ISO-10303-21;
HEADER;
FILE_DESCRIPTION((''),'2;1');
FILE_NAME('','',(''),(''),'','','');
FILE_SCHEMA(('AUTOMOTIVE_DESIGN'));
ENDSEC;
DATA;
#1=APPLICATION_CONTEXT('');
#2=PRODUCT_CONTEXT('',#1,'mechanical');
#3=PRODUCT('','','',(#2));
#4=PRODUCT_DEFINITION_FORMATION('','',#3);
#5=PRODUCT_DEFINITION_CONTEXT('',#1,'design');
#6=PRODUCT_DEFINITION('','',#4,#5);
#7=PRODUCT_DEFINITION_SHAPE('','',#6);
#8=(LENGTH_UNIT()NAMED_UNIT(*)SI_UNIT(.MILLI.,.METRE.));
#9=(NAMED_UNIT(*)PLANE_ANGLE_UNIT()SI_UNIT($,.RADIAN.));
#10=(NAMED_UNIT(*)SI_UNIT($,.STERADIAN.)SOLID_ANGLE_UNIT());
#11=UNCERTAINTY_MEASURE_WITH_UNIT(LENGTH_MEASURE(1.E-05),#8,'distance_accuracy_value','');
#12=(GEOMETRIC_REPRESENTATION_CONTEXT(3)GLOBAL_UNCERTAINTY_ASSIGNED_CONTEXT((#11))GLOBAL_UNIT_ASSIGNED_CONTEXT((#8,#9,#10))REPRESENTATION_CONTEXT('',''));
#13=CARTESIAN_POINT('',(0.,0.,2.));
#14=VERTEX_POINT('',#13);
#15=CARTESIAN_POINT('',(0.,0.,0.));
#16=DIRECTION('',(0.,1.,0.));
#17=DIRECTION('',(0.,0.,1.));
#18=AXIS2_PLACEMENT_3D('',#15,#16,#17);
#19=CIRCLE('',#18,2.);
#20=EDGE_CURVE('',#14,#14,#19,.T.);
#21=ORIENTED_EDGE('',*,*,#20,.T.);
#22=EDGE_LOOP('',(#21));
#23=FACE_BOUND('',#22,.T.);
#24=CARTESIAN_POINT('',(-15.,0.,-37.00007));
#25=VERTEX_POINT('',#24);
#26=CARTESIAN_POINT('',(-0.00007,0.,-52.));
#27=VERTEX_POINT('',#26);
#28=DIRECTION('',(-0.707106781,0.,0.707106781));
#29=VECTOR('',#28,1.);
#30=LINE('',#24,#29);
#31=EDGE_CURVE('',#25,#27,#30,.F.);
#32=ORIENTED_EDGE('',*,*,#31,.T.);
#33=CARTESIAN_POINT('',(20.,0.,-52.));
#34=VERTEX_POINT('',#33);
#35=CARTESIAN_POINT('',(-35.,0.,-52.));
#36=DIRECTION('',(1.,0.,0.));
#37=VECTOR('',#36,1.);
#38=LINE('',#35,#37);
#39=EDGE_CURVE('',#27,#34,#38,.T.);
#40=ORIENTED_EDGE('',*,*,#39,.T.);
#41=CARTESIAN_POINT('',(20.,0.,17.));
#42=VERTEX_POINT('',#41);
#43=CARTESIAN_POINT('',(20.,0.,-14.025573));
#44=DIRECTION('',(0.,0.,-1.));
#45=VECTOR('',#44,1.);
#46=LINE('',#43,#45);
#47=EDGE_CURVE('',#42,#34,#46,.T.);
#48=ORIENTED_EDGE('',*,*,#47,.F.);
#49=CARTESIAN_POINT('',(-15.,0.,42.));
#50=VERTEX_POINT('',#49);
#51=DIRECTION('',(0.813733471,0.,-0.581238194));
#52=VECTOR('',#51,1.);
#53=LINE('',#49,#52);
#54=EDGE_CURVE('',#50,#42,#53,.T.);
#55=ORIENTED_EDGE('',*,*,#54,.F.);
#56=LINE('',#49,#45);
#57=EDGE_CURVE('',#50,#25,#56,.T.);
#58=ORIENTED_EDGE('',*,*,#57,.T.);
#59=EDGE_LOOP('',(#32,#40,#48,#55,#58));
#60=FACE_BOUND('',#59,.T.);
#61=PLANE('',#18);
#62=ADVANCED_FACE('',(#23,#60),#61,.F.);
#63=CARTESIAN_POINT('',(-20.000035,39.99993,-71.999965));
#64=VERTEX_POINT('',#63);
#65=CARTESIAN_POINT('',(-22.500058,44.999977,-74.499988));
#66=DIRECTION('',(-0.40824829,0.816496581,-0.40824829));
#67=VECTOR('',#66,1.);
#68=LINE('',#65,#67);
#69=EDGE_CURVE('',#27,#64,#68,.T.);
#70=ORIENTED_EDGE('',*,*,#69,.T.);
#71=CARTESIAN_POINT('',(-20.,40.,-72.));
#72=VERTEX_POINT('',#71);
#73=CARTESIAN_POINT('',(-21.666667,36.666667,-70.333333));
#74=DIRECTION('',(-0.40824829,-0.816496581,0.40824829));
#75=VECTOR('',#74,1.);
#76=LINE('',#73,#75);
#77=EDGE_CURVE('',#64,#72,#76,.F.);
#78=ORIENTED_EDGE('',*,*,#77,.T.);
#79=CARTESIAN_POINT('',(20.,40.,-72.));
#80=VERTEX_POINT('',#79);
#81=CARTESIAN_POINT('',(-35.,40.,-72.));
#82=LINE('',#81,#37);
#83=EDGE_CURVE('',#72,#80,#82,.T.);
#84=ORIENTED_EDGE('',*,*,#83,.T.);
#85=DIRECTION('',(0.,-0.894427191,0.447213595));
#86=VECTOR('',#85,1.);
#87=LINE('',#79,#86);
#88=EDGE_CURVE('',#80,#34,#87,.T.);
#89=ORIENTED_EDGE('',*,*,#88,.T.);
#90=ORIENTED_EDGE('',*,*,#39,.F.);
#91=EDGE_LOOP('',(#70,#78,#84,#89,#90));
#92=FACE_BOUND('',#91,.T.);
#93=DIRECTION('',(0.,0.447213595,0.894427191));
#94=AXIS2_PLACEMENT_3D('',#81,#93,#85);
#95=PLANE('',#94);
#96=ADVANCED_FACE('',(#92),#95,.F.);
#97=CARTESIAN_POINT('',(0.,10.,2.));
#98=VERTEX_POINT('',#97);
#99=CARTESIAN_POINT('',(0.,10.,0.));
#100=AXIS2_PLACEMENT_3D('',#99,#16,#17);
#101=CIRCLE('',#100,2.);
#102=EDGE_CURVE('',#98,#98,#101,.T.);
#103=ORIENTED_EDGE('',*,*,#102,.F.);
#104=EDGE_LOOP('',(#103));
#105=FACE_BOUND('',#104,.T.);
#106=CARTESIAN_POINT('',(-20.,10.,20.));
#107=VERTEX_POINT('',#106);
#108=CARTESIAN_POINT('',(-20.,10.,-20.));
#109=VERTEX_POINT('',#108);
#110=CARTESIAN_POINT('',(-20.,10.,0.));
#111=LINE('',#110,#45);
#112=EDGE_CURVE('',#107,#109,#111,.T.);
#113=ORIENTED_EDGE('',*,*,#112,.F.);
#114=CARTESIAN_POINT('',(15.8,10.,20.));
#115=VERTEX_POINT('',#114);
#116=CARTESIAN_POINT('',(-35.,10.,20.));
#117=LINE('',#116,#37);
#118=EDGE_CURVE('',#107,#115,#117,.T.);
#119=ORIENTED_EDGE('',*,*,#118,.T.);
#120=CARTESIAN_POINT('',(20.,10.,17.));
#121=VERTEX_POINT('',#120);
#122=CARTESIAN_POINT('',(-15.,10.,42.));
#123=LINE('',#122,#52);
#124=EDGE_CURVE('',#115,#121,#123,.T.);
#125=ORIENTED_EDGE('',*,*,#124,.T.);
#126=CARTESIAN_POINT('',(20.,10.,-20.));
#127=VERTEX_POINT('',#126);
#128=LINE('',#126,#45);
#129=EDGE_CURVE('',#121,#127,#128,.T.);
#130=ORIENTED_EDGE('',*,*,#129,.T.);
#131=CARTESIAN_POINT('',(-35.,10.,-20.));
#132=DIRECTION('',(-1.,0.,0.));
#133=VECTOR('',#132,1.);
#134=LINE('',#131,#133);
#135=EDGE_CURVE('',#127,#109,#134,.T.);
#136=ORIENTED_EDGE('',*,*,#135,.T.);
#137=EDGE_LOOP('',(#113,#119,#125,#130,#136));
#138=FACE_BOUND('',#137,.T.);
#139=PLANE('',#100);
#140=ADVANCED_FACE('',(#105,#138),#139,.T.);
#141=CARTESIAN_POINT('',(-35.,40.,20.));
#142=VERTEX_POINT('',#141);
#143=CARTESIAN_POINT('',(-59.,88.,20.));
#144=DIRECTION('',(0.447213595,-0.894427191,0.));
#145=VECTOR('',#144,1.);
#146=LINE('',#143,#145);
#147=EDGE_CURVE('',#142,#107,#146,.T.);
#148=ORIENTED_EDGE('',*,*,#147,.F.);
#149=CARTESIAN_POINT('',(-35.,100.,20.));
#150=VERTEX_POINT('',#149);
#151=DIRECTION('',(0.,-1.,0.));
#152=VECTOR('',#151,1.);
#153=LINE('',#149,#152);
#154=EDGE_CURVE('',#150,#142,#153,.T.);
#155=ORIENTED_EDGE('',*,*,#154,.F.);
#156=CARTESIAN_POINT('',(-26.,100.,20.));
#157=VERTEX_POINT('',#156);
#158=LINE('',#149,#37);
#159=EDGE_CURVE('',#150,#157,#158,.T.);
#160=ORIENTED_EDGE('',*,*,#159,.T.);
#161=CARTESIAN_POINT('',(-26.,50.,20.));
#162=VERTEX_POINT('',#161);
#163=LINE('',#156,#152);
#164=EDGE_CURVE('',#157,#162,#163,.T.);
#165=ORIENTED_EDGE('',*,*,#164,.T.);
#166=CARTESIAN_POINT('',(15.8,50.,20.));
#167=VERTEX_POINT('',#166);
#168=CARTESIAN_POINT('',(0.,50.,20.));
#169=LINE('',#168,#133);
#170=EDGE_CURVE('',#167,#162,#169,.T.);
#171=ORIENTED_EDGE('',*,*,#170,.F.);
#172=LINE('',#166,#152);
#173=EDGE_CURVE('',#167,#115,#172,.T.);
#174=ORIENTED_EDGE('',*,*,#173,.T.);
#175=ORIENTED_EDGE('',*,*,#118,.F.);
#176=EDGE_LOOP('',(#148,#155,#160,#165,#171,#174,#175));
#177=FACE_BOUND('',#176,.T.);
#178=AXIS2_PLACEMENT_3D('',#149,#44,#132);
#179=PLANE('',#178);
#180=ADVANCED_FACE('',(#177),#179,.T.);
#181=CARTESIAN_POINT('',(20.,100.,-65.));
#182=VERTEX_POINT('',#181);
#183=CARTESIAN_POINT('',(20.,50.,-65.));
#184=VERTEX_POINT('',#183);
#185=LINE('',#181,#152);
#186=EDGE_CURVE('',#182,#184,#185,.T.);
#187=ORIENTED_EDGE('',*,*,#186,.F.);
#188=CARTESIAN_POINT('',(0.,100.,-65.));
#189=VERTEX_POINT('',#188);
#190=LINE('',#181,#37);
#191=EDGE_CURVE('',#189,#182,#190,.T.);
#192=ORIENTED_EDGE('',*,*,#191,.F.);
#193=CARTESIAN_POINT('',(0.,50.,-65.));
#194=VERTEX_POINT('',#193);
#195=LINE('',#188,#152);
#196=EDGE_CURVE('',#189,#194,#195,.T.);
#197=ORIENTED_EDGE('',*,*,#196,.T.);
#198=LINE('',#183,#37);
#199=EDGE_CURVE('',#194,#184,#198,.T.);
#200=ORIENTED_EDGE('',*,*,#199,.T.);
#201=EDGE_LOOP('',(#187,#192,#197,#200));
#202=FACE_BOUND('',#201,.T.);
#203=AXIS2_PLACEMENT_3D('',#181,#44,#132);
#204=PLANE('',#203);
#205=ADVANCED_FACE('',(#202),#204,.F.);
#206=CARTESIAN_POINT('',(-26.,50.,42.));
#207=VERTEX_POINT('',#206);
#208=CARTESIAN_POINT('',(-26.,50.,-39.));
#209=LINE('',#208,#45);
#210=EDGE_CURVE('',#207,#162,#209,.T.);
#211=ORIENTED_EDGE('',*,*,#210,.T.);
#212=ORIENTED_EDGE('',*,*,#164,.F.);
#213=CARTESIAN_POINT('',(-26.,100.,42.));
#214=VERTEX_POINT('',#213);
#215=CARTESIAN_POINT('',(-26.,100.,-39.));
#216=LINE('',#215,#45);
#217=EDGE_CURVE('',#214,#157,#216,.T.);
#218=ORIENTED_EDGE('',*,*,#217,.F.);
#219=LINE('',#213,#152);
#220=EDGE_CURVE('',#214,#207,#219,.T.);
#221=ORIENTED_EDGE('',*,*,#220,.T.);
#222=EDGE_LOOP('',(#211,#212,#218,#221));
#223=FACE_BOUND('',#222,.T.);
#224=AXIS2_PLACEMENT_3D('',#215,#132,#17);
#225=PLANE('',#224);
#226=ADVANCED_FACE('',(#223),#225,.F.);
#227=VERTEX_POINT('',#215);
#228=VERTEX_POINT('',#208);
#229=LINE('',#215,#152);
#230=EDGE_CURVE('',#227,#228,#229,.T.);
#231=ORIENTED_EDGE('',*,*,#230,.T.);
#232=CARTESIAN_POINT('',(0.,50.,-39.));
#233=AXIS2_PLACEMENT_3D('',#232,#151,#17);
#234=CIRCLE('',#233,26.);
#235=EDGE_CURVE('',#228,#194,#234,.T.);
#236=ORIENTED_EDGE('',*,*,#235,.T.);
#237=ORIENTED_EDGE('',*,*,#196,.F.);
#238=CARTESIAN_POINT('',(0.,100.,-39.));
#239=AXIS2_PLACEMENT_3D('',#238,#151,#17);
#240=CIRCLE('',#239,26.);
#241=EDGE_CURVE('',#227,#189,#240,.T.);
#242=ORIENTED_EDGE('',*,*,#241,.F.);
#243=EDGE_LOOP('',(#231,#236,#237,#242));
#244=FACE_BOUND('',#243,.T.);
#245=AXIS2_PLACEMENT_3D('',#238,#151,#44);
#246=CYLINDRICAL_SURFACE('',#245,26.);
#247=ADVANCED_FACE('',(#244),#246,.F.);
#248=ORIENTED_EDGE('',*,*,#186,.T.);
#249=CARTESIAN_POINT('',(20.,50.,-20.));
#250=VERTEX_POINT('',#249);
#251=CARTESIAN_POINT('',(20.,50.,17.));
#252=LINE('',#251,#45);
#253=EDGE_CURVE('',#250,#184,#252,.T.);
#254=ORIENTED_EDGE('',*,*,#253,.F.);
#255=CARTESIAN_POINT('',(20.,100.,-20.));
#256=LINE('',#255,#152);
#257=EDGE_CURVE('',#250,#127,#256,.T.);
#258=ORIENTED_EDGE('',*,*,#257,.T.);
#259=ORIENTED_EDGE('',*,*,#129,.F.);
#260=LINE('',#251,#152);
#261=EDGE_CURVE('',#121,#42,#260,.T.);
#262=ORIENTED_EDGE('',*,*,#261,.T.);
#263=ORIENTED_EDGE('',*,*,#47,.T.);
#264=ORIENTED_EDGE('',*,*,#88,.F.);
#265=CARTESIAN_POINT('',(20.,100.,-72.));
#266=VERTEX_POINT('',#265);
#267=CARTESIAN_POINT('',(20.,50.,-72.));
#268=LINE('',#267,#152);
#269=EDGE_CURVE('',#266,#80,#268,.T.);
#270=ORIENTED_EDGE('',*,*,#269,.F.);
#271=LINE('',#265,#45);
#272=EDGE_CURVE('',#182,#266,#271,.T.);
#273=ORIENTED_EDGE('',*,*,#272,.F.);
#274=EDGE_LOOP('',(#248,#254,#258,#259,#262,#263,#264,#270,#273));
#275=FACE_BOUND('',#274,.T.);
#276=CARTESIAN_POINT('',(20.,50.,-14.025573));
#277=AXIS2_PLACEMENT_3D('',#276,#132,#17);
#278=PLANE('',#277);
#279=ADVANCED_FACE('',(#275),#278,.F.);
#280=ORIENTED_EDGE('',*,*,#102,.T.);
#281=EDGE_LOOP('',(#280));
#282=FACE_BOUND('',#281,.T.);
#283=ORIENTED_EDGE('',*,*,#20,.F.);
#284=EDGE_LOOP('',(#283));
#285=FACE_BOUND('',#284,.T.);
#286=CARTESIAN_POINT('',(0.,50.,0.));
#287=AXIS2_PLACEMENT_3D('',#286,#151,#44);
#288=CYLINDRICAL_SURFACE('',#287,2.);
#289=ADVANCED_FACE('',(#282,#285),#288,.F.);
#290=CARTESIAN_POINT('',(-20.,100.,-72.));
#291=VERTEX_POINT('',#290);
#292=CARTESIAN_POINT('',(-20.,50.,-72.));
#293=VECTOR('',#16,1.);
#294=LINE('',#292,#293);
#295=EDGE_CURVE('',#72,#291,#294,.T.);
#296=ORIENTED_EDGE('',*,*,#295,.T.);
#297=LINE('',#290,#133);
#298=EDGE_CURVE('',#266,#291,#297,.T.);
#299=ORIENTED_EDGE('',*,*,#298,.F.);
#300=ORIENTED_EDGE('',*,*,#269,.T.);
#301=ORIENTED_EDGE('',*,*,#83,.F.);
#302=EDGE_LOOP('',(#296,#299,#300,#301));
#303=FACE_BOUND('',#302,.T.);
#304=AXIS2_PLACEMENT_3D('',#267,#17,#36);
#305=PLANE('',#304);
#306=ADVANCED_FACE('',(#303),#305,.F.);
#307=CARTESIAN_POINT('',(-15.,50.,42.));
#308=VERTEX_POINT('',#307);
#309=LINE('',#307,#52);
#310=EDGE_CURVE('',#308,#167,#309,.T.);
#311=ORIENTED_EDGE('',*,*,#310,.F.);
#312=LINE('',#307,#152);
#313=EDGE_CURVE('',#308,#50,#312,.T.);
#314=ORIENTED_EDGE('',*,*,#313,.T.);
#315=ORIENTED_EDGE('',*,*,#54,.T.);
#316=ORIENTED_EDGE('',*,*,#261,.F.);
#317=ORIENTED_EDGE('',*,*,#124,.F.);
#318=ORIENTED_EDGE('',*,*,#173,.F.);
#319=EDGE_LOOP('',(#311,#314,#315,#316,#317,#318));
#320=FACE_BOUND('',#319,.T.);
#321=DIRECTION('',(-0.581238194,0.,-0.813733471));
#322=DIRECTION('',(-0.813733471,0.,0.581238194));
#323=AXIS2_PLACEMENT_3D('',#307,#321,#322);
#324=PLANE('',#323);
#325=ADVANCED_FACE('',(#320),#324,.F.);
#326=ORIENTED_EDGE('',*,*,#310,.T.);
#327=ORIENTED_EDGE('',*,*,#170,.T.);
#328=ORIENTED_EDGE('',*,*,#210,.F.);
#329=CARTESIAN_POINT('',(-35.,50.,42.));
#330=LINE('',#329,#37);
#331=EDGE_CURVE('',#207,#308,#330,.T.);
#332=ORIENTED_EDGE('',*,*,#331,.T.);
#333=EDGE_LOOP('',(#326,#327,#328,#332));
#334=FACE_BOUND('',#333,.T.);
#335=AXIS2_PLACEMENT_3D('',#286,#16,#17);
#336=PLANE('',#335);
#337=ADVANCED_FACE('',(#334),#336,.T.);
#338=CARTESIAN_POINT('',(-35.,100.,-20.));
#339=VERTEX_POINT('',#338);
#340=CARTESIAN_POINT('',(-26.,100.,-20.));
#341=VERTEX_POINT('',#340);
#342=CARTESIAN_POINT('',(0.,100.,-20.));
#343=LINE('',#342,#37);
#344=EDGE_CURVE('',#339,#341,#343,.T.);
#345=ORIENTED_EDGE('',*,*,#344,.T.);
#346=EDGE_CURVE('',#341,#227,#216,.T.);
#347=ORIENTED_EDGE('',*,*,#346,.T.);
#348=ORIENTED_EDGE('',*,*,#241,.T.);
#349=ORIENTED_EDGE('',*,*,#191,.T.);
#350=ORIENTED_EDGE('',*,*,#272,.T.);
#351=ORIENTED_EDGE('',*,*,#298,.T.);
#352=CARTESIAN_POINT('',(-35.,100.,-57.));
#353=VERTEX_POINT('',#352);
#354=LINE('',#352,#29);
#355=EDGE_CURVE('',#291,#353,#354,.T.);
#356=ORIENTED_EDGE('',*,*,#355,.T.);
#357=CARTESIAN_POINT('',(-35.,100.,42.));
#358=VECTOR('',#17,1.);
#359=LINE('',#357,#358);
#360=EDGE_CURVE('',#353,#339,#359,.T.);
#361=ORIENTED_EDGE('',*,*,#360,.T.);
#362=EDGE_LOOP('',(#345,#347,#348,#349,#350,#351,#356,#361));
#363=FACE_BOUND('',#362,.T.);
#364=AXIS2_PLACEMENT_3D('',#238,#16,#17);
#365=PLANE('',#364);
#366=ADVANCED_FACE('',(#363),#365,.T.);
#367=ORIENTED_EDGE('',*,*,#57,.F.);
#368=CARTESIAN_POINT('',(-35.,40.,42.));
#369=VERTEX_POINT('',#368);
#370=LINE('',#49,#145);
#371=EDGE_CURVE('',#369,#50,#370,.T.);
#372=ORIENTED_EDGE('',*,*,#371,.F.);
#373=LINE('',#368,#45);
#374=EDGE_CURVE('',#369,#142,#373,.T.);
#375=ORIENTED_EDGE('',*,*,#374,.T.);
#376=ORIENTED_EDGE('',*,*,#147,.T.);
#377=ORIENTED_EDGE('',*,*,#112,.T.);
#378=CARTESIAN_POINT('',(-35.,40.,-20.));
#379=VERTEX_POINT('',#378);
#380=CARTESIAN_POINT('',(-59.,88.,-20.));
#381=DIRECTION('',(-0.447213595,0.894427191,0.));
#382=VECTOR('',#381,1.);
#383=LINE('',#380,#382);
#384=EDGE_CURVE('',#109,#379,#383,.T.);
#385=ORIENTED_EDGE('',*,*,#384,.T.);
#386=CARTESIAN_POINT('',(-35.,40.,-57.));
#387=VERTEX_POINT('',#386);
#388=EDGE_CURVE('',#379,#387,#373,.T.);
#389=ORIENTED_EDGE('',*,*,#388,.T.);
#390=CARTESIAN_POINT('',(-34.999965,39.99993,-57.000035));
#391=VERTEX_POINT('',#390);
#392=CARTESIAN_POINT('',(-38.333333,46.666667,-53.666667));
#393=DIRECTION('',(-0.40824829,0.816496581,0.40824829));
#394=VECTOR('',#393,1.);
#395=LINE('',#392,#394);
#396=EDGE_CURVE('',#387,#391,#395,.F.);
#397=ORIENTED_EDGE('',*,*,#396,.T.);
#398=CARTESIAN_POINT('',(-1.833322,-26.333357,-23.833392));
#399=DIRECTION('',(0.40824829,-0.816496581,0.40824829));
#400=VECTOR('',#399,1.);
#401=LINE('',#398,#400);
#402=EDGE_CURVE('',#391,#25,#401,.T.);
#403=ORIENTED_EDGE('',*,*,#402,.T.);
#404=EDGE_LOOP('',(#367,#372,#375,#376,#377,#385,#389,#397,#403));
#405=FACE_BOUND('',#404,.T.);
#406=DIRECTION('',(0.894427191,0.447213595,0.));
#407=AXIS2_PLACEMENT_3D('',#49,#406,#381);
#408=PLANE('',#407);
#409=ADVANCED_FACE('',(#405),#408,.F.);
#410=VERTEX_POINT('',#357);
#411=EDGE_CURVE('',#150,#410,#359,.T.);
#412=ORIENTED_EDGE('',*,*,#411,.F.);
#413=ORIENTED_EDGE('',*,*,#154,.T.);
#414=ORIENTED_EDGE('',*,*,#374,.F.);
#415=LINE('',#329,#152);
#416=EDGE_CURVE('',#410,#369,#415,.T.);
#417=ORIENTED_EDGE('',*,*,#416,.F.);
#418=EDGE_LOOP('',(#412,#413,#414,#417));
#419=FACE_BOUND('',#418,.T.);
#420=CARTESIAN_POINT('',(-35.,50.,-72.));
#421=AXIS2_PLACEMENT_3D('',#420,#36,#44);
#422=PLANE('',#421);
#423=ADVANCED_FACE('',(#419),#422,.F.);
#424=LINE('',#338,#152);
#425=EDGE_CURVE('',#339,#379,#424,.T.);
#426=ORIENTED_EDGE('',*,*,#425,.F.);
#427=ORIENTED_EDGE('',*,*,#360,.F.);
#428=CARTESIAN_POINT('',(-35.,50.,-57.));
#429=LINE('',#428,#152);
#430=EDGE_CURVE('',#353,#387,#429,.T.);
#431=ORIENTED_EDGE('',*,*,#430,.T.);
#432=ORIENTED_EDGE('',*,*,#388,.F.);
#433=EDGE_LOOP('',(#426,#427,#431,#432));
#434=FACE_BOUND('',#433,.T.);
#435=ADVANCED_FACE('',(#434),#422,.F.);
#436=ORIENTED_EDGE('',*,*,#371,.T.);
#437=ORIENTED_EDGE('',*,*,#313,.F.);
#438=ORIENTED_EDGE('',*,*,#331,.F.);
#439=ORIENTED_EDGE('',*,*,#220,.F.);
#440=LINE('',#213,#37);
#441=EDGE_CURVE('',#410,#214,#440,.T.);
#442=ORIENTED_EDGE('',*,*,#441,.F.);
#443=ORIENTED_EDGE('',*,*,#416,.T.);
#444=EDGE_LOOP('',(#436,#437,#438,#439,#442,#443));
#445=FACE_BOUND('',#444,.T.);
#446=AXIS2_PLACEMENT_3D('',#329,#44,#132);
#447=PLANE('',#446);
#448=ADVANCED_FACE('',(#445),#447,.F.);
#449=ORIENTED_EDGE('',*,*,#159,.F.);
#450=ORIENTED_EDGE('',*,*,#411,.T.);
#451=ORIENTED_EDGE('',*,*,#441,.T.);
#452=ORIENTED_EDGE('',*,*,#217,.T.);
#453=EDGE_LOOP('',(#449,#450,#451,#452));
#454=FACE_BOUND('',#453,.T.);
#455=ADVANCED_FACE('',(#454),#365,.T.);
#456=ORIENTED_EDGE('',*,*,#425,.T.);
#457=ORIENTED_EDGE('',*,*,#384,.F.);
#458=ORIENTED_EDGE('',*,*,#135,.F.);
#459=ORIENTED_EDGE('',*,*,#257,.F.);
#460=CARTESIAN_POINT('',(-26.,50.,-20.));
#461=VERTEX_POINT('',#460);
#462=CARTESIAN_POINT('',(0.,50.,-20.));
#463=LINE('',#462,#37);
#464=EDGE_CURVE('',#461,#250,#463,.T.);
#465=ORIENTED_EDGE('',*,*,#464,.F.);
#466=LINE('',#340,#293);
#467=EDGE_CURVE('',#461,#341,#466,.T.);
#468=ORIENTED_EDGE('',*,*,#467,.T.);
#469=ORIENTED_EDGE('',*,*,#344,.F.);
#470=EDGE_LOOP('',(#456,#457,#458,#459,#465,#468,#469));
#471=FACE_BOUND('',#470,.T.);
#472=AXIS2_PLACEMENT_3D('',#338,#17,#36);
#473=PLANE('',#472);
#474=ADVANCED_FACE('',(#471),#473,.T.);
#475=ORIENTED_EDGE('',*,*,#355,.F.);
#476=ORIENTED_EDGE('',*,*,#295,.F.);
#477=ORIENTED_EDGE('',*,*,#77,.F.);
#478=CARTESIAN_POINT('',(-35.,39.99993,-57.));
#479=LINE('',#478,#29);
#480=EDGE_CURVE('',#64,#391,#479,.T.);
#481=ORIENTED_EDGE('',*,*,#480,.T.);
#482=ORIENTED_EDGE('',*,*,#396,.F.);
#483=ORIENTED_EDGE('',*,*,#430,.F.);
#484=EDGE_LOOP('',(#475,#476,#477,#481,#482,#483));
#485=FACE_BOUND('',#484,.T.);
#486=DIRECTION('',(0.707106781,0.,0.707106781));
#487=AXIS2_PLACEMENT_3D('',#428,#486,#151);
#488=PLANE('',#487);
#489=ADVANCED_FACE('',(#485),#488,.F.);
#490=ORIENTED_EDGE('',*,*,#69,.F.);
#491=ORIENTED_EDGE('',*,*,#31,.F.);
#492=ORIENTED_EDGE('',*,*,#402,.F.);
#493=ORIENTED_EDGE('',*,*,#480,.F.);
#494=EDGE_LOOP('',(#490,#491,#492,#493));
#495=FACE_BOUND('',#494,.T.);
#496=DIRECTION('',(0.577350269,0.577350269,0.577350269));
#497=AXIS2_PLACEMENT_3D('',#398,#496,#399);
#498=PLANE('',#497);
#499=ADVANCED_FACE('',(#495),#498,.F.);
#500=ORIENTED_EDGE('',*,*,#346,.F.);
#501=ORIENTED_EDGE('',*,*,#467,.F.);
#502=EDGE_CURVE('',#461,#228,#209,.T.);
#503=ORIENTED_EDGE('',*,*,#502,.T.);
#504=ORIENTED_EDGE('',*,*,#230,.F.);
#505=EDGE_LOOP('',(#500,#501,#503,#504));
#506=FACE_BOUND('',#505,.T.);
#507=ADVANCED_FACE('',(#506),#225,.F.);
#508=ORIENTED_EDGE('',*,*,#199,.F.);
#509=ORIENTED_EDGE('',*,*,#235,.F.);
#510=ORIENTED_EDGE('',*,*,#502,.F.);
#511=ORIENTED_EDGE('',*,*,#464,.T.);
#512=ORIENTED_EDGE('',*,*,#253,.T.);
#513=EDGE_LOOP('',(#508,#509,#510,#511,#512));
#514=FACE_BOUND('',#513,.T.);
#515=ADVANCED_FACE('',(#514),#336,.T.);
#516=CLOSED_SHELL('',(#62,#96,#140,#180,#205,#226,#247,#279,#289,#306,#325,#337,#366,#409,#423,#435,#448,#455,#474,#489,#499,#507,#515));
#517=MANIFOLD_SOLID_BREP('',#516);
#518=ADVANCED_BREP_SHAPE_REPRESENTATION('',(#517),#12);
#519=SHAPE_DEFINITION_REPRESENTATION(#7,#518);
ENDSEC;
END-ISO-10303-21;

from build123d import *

# Parameters (mm, degrees)
SKETCH_1_R               = 2
EXTRUDE_1_DEPTH          = 50
CHAMFER_1_SIZE           = 15
EXTRUDE_2_DEPTH          = 50
CUT_EXTRUDE_1_DEPTH      = 50
CUT_EXTRUDE_1_DEPTH_BACK = 40
SKETCH_3_W               = 55
SKETCH_3_H               = 40
CUT_EXTRUDE_2_DEPTH      = 156.630973781
CUT_EXTRUDE_3_DEPTH      = 135.940727729
CHAMFER_2_SIZE           = 13.693


with BuildPart() as part:
    # 草图1 → 凸台-拉伸1 (new body)
    with BuildSketch(Plane(origin=(0, 0, 0), x_dir=(1, 0, 0), z_dir=(0, 1, 0))):
        Polygon((-35, 72), (-35, -42), (-15, -42), (20, -17), (20, 14.02557275), (20, 72), align=None)
        with Locations(Location((0, 0, 0), (0, 0, 270))):
            Circle(SKETCH_1_R, mode=Mode.SUBTRACT)
    extrude(amount=EXTRUDE_1_DEPTH)

    # 倒角1
    chamfer_1_edges = [part.edges().sort_by_distance(p)[0] for p in [
        (-35, 25, -72),
    ]]
    chamfer(chamfer_1_edges, length=CHAMFER_1_SIZE)

    # 草图2 → 凸台-拉伸2 (add)
    with BuildSketch(Plane(origin=(0, 50, 0), x_dir=(1, 0, 0), z_dir=(0, 1, 0))):
        with BuildLine():
            Line((-26, 39), (-26, -42))
            Line((-26, -42), (-35, -42))
            Line((-35, -42), (-35, 57))
            Line((-35, 57), (-20, 72))
            Line((-20, 72), (20, 72))
            Line((20, 72), (20, 65))
            Line((20, 65), (0, 65))
            ThreePointArc((0, 65), (-18.384776311, 57.384776311), (-26, 39))
        make_face()
    extrude(amount=EXTRUDE_2_DEPTH)

    # 草图3 → 切除-拉伸1 (cut, two sides: drawn at the far end of the back side and taken through both)
    with BuildSketch(Plane(origin=(0, 50, 0), x_dir=(1, 0, 0), z_dir=(0, 1, 0)).offset(-CUT_EXTRUDE_1_DEPTH_BACK)):
        with Locations((-7.5, 0)):
            Rectangle(SKETCH_3_W, SKETCH_3_H)
    extrude(amount=CUT_EXTRUDE_1_DEPTH + CUT_EXTRUDE_1_DEPTH_BACK, mode=Mode.SUBTRACT)

    # 草图4 → 切除-拉伸2 (cut, through all)
    with BuildSketch(Plane(origin=(0, 0, -72), x_dir=(-1, 0, 0), z_dir=(0, 0, -1))):
        Polygon((15, 0), (35, 40), (35, 0), align=None)
    extrude(amount=-CUT_EXTRUDE_2_DEPTH, mode=Mode.SUBTRACT)

    # 草图5 → 切除-拉伸3 (cut, through all)
    with BuildSketch(Plane(origin=(20, 0, 0), x_dir=(0, 0, -1), z_dir=(1, 0, 0))):
        Polygon((52, 0), (72, 0), (72, 40), align=None)
    extrude(amount=-CUT_EXTRUDE_3_DEPTH, mode=Mode.SUBTRACT)

    # 倒角2
    chamfer_2_edges = [part.edges().sort_by_distance(p)[0] for p in [
        (-21.25, 12.5, -58.25),
    ]]
    chamfer(chamfer_2_edges, length=CHAMFER_2_SIZE)


solid = part.part
